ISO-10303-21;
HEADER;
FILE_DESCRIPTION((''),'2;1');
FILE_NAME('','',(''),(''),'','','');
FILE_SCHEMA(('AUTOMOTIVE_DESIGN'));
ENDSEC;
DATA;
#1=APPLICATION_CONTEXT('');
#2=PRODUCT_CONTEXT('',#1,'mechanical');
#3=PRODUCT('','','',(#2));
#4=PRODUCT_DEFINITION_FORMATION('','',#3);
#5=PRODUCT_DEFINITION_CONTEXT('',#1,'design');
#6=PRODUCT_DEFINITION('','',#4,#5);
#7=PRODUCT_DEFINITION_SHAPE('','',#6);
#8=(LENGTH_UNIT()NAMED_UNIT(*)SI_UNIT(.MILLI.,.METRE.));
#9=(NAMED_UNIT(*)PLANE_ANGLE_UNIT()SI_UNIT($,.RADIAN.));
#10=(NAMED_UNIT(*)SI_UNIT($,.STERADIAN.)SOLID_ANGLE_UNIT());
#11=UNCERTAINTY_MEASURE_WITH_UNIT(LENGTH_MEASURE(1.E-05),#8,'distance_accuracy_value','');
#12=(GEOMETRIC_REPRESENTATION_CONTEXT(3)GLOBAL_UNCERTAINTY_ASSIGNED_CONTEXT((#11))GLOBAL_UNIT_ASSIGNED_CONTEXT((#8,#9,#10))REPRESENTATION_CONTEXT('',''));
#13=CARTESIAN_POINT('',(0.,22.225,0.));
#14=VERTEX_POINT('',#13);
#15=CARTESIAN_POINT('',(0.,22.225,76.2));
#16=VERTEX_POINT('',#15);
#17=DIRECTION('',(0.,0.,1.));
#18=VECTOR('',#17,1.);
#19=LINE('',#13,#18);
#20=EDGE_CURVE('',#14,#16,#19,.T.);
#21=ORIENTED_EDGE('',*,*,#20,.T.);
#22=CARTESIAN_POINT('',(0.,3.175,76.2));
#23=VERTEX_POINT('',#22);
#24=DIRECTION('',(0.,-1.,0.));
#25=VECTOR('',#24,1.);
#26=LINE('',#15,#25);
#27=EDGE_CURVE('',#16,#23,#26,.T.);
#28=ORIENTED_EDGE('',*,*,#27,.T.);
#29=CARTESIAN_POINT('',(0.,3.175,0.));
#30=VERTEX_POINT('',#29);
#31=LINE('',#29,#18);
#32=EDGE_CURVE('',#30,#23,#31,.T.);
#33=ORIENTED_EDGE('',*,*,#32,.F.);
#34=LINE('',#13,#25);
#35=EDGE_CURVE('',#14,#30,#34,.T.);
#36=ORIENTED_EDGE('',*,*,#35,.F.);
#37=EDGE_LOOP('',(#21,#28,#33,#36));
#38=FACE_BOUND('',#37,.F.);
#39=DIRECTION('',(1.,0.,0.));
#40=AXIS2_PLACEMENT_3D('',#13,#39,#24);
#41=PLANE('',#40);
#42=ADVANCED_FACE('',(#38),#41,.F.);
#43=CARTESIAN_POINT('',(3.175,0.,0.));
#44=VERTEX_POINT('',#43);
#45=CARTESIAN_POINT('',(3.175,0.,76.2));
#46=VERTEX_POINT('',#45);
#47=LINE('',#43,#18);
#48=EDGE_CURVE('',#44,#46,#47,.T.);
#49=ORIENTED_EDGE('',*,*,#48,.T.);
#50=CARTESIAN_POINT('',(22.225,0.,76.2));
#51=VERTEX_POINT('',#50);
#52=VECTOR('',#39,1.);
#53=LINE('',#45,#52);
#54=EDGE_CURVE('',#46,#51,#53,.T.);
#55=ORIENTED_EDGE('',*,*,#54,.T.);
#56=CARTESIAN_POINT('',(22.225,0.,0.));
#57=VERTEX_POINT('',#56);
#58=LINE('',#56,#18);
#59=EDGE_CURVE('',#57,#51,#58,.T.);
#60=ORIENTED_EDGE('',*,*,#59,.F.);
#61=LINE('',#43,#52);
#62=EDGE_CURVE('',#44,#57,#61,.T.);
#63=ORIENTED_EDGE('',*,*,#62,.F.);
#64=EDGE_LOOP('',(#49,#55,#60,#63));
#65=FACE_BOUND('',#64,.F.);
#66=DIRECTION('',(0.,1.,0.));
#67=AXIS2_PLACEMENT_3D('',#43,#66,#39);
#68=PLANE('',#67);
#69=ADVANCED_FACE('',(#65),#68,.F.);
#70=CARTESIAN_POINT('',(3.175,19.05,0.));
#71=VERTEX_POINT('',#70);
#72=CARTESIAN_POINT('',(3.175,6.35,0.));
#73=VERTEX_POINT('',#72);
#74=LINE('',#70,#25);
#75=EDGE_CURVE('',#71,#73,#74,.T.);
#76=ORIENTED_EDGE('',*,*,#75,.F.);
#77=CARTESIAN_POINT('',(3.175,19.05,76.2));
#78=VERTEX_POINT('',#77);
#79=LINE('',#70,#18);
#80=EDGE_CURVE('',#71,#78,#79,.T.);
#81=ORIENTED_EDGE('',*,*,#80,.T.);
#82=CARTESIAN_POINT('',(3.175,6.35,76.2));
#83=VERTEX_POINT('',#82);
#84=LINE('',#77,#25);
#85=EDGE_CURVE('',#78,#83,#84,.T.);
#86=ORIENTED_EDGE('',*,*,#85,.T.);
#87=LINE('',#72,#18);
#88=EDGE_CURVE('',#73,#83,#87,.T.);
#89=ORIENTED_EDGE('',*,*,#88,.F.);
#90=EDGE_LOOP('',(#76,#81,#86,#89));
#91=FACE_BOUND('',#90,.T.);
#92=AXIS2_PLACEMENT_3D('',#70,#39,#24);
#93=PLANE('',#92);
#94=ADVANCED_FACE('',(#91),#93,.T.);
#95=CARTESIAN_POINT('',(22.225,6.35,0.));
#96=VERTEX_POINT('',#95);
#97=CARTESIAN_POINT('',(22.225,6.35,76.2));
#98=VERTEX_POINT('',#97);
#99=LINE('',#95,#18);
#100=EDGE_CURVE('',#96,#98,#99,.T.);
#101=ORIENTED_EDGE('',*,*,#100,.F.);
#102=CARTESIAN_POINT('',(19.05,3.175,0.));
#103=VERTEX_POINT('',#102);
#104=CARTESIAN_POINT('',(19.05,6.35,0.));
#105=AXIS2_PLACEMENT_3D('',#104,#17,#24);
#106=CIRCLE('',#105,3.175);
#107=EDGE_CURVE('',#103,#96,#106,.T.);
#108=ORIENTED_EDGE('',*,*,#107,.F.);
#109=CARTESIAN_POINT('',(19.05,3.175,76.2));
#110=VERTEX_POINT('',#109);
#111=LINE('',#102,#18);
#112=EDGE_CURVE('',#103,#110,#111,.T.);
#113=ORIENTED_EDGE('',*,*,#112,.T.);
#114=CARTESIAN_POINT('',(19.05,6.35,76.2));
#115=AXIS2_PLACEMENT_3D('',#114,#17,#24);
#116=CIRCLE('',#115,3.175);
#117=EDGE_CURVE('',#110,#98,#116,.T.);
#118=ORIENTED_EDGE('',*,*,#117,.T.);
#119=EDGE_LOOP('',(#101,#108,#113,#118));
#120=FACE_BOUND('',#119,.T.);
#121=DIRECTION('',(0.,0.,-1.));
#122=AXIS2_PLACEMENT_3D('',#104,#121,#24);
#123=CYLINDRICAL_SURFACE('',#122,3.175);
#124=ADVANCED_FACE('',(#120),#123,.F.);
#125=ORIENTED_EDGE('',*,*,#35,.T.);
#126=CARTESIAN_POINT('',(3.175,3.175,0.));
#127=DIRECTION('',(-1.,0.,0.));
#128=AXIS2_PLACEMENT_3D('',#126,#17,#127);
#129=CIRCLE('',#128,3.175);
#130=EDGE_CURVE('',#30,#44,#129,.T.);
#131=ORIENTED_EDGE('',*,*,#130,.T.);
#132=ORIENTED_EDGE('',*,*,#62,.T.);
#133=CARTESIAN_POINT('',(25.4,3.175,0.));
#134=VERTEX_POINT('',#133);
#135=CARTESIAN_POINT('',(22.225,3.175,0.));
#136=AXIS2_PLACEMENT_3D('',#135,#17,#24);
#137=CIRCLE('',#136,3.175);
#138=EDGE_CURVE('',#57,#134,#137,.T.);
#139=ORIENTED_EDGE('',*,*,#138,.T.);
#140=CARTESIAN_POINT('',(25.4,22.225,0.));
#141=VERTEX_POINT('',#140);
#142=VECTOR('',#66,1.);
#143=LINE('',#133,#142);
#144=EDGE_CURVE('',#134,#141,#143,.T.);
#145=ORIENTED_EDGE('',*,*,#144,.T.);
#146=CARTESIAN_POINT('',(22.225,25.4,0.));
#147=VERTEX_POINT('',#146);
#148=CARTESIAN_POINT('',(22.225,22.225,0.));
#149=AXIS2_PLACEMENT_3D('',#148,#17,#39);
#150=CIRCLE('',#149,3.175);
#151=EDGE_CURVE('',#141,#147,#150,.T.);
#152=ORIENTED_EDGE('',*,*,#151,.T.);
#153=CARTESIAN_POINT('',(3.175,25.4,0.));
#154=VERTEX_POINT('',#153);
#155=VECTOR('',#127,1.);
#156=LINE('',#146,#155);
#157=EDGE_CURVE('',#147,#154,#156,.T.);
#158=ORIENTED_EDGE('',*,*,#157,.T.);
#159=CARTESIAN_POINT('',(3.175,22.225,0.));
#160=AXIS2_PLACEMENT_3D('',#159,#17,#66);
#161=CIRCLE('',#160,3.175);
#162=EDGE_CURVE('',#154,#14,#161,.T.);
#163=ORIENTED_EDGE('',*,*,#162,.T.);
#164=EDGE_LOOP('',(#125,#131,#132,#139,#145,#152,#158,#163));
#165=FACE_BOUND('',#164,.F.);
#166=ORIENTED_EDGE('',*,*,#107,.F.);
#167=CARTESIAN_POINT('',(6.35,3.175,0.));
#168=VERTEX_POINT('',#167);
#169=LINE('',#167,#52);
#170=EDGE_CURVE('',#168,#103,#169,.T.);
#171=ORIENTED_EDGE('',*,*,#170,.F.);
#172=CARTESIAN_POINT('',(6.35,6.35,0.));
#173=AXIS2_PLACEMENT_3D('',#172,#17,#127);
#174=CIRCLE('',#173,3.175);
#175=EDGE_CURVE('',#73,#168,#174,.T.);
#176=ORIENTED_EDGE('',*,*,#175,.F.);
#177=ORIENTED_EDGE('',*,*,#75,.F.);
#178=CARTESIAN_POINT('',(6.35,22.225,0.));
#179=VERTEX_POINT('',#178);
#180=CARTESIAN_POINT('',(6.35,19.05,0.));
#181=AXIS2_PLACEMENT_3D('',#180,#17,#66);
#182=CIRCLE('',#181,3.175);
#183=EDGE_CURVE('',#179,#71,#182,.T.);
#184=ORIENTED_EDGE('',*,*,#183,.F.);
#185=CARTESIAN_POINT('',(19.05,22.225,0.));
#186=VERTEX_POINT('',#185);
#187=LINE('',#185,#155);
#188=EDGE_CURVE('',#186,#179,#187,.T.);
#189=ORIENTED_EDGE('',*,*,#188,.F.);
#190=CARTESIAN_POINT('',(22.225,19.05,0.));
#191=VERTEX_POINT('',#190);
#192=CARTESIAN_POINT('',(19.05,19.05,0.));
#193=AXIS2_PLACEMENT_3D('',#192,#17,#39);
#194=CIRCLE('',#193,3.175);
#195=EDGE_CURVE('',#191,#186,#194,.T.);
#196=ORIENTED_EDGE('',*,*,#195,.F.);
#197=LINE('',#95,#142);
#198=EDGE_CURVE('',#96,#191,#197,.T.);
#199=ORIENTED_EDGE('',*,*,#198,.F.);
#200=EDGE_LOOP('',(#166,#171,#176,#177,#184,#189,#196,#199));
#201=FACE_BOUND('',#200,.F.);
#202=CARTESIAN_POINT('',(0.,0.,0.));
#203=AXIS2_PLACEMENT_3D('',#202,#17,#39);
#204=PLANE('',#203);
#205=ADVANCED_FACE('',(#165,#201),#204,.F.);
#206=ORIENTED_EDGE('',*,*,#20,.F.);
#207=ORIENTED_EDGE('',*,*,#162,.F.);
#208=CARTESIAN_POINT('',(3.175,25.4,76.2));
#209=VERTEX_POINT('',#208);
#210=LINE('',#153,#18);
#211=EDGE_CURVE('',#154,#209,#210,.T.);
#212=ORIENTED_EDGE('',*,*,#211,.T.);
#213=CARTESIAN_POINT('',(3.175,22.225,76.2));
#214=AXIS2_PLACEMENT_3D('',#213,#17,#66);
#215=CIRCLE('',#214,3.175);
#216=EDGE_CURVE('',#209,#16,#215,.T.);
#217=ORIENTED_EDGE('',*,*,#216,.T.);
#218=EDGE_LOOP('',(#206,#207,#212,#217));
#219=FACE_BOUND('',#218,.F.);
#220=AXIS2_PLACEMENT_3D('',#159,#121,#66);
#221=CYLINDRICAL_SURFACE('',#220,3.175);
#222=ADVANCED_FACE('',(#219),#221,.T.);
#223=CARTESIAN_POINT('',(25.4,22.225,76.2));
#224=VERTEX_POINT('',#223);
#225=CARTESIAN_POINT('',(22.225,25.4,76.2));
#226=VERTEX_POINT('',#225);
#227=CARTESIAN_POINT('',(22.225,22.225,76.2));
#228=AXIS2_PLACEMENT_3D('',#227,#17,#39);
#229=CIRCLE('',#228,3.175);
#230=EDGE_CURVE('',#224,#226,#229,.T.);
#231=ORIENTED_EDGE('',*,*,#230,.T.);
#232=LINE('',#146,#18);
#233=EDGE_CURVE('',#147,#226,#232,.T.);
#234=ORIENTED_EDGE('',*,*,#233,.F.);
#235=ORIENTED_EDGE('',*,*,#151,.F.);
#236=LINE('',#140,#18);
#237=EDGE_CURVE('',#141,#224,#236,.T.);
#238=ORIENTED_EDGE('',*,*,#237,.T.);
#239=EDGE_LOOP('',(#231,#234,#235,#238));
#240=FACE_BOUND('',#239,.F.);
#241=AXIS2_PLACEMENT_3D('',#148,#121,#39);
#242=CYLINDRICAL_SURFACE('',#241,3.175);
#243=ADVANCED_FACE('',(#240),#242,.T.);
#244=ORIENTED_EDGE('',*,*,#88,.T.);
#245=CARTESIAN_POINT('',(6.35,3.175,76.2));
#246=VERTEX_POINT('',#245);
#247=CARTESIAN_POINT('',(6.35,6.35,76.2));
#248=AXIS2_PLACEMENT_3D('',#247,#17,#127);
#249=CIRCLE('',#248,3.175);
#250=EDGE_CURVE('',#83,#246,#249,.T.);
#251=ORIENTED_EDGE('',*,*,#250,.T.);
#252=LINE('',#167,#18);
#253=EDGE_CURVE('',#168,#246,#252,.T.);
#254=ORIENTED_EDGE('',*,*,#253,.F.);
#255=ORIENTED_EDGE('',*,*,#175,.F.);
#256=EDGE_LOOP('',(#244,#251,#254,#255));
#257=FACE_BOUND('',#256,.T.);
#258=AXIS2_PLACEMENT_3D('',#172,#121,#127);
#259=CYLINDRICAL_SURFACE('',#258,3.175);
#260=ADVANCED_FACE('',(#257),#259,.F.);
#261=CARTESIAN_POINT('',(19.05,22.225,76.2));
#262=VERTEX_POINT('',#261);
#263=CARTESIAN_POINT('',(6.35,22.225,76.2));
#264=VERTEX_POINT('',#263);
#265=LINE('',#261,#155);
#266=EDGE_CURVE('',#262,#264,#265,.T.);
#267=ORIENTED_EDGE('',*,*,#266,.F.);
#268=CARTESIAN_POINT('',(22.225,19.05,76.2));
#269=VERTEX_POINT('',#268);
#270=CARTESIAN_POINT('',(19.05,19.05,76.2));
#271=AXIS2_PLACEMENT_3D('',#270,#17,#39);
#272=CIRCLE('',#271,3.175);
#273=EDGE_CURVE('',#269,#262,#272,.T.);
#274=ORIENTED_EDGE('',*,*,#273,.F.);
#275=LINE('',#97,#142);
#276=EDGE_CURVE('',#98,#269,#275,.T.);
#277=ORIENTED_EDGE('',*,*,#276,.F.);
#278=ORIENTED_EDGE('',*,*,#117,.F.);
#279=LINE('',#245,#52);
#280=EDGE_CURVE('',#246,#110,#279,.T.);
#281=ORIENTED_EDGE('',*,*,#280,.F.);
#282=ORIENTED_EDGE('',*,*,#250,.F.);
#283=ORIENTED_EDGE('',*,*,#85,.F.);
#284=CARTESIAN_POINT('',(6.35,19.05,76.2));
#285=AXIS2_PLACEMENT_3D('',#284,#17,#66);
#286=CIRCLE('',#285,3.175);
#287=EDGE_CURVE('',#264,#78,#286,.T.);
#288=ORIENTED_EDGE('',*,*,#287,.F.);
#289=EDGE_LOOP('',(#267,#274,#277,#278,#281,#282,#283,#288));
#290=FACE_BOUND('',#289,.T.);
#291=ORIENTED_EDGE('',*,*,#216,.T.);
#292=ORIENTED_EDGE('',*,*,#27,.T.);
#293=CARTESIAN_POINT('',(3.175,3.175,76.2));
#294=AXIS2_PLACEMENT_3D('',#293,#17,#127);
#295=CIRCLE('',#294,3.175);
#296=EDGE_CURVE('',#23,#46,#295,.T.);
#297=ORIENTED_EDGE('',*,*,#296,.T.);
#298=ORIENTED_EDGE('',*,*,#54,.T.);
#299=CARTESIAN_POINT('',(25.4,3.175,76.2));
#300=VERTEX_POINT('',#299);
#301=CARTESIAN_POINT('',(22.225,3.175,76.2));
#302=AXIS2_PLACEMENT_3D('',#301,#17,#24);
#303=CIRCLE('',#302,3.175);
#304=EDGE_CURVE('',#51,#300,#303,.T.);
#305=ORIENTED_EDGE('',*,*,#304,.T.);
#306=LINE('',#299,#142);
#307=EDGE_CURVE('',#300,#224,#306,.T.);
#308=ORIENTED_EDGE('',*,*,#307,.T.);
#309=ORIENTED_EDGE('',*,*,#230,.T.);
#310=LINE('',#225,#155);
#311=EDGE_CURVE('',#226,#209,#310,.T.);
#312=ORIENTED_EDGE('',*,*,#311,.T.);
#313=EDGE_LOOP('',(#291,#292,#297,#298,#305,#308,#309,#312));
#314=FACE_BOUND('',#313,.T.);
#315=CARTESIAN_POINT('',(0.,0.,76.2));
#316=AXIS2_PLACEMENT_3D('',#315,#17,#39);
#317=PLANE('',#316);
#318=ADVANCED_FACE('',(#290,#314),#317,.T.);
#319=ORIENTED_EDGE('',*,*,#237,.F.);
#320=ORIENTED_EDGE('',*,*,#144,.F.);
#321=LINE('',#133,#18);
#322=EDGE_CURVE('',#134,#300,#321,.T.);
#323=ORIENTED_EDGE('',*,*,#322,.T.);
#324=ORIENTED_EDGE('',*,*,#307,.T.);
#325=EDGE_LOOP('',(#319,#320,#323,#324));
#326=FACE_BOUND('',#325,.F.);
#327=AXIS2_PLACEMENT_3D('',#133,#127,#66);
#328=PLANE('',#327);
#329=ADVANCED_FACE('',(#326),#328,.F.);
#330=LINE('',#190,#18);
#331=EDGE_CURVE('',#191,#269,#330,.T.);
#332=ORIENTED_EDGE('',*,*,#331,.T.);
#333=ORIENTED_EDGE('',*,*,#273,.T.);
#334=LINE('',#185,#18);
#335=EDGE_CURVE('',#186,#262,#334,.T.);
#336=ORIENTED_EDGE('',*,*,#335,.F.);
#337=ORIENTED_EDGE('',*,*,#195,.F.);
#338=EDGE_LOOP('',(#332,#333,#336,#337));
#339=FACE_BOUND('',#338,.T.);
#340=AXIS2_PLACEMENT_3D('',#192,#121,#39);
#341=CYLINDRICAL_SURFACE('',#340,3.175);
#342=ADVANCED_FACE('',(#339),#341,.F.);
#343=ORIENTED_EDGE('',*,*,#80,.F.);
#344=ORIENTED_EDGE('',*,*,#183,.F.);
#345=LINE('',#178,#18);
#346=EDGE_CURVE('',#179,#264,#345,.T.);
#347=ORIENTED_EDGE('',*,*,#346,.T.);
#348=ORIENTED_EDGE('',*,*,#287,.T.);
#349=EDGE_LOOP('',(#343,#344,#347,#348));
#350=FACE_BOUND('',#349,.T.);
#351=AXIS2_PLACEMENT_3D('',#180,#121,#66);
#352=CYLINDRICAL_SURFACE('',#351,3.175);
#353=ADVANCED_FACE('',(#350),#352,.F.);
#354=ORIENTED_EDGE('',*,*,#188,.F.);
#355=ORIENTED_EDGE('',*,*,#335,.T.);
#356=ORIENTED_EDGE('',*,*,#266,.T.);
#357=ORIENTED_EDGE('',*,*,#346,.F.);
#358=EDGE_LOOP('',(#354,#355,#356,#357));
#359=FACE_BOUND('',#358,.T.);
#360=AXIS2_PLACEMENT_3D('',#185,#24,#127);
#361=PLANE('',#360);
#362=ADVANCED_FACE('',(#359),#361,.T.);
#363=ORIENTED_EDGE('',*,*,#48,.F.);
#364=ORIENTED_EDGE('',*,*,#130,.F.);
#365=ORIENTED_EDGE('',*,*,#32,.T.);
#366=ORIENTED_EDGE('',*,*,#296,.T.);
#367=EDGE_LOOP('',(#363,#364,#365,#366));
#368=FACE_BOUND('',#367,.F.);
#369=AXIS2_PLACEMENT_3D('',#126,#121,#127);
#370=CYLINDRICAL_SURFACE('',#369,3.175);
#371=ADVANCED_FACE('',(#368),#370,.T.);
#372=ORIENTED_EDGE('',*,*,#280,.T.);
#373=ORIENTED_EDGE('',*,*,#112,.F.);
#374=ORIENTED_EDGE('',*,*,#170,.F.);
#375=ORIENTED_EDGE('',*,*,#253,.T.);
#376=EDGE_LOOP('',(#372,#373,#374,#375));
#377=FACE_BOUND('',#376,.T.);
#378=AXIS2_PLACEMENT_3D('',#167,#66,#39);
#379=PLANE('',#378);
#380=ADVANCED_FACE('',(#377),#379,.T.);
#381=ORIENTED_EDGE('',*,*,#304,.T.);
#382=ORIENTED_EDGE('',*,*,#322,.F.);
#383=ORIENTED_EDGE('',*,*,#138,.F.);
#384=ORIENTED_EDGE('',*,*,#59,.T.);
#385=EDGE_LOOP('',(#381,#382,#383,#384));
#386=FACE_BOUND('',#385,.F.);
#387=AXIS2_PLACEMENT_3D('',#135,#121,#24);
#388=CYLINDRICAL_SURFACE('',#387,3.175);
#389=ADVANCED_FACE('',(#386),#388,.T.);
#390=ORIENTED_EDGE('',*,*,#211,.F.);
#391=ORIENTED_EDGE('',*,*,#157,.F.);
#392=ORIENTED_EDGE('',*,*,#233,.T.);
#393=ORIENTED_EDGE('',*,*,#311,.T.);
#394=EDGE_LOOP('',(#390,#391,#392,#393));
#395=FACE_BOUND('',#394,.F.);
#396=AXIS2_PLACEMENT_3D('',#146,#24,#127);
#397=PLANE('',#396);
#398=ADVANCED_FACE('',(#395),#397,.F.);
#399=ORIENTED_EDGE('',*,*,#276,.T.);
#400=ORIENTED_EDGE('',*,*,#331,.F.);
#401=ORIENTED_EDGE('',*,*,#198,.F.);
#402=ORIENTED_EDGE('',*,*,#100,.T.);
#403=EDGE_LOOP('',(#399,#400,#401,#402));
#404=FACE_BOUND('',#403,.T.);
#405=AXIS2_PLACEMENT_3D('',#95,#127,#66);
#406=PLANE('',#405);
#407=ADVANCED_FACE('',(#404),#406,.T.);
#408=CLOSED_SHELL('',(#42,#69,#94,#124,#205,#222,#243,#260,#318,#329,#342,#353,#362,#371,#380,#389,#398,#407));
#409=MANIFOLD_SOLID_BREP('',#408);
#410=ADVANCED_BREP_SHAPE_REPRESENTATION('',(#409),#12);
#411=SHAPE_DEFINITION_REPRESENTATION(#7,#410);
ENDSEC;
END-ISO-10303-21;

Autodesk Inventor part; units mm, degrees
ref_plane "YZ Plane" through (0, 0, 0) normal (1, 0, 0) x (0, 1, 0)
ref_plane "XZ Plane" through (0, 0, 0) normal (0, 1, 0) x (-1, 0, 0)
ref_plane "XY Plane" through (0, 0, 0) normal (0, 0, 1) x (1, 0, 0)
sketch "Sketch1" plane through (0, 0, 0) normal (0, 0, 1) x (1, 0, 0)
  line L0 (3.175, 0) -> (22.225, 0)
  line L1 (25.4, 3.175) -> (25.4, 22.225)
  line L2 (22.225, 25.4) -> (3.175, 25.4)
  line L3 (0, 22.225) -> (0, 3.175)
  arc A0 (3.175, 25.4) -> (0, 22.225) centre (3.175, 22.225) ccw
  arc A1 (25.4, 22.225) -> (22.225, 25.4) centre (22.225, 22.225) ccw
  arc A2 (22.225, 0) -> (25.4, 3.175) centre (22.225, 3.175) ccw
  arc A3 (0, 3.175) -> (3.175, 0) centre (3.175, 3.175) ccw
  line L4 (6.35, 3.175) -> (19.05, 3.175)
  line L5 (22.225, 6.35) -> (22.225, 19.05)
  line L6 (19.05, 22.225) -> (6.35, 22.225)
  line L7 (3.175, 19.05) -> (3.175, 6.35)
  arc A4 (6.35, 22.225) -> (3.175, 19.05) centre (6.35, 19.05) ccw
  arc A5 (19.05, 3.175) -> (22.225, 6.35) centre (19.05, 6.35) ccw
  arc A6 (22.225, 19.05) -> (19.05, 22.225) centre (19.05, 19.05) ccw
  arc A7 (3.175, 6.35) -> (6.35, 3.175) centre (6.35, 6.35) ccw
  point P0 (0, 0)
  point P1 (25.4, 25.4)
  point P2 (25.4, 0)
  point P3 (0, 25.4)
  dimension "d0" = 25.4
  dimension "d1" = 25.4
  dimension "d2" = 3.175
  dimension "d3" = 3.175
extrude "Extrusion1" add sketch "Sketch1" along normal blind 76.2
properties part number "ClampSide"
